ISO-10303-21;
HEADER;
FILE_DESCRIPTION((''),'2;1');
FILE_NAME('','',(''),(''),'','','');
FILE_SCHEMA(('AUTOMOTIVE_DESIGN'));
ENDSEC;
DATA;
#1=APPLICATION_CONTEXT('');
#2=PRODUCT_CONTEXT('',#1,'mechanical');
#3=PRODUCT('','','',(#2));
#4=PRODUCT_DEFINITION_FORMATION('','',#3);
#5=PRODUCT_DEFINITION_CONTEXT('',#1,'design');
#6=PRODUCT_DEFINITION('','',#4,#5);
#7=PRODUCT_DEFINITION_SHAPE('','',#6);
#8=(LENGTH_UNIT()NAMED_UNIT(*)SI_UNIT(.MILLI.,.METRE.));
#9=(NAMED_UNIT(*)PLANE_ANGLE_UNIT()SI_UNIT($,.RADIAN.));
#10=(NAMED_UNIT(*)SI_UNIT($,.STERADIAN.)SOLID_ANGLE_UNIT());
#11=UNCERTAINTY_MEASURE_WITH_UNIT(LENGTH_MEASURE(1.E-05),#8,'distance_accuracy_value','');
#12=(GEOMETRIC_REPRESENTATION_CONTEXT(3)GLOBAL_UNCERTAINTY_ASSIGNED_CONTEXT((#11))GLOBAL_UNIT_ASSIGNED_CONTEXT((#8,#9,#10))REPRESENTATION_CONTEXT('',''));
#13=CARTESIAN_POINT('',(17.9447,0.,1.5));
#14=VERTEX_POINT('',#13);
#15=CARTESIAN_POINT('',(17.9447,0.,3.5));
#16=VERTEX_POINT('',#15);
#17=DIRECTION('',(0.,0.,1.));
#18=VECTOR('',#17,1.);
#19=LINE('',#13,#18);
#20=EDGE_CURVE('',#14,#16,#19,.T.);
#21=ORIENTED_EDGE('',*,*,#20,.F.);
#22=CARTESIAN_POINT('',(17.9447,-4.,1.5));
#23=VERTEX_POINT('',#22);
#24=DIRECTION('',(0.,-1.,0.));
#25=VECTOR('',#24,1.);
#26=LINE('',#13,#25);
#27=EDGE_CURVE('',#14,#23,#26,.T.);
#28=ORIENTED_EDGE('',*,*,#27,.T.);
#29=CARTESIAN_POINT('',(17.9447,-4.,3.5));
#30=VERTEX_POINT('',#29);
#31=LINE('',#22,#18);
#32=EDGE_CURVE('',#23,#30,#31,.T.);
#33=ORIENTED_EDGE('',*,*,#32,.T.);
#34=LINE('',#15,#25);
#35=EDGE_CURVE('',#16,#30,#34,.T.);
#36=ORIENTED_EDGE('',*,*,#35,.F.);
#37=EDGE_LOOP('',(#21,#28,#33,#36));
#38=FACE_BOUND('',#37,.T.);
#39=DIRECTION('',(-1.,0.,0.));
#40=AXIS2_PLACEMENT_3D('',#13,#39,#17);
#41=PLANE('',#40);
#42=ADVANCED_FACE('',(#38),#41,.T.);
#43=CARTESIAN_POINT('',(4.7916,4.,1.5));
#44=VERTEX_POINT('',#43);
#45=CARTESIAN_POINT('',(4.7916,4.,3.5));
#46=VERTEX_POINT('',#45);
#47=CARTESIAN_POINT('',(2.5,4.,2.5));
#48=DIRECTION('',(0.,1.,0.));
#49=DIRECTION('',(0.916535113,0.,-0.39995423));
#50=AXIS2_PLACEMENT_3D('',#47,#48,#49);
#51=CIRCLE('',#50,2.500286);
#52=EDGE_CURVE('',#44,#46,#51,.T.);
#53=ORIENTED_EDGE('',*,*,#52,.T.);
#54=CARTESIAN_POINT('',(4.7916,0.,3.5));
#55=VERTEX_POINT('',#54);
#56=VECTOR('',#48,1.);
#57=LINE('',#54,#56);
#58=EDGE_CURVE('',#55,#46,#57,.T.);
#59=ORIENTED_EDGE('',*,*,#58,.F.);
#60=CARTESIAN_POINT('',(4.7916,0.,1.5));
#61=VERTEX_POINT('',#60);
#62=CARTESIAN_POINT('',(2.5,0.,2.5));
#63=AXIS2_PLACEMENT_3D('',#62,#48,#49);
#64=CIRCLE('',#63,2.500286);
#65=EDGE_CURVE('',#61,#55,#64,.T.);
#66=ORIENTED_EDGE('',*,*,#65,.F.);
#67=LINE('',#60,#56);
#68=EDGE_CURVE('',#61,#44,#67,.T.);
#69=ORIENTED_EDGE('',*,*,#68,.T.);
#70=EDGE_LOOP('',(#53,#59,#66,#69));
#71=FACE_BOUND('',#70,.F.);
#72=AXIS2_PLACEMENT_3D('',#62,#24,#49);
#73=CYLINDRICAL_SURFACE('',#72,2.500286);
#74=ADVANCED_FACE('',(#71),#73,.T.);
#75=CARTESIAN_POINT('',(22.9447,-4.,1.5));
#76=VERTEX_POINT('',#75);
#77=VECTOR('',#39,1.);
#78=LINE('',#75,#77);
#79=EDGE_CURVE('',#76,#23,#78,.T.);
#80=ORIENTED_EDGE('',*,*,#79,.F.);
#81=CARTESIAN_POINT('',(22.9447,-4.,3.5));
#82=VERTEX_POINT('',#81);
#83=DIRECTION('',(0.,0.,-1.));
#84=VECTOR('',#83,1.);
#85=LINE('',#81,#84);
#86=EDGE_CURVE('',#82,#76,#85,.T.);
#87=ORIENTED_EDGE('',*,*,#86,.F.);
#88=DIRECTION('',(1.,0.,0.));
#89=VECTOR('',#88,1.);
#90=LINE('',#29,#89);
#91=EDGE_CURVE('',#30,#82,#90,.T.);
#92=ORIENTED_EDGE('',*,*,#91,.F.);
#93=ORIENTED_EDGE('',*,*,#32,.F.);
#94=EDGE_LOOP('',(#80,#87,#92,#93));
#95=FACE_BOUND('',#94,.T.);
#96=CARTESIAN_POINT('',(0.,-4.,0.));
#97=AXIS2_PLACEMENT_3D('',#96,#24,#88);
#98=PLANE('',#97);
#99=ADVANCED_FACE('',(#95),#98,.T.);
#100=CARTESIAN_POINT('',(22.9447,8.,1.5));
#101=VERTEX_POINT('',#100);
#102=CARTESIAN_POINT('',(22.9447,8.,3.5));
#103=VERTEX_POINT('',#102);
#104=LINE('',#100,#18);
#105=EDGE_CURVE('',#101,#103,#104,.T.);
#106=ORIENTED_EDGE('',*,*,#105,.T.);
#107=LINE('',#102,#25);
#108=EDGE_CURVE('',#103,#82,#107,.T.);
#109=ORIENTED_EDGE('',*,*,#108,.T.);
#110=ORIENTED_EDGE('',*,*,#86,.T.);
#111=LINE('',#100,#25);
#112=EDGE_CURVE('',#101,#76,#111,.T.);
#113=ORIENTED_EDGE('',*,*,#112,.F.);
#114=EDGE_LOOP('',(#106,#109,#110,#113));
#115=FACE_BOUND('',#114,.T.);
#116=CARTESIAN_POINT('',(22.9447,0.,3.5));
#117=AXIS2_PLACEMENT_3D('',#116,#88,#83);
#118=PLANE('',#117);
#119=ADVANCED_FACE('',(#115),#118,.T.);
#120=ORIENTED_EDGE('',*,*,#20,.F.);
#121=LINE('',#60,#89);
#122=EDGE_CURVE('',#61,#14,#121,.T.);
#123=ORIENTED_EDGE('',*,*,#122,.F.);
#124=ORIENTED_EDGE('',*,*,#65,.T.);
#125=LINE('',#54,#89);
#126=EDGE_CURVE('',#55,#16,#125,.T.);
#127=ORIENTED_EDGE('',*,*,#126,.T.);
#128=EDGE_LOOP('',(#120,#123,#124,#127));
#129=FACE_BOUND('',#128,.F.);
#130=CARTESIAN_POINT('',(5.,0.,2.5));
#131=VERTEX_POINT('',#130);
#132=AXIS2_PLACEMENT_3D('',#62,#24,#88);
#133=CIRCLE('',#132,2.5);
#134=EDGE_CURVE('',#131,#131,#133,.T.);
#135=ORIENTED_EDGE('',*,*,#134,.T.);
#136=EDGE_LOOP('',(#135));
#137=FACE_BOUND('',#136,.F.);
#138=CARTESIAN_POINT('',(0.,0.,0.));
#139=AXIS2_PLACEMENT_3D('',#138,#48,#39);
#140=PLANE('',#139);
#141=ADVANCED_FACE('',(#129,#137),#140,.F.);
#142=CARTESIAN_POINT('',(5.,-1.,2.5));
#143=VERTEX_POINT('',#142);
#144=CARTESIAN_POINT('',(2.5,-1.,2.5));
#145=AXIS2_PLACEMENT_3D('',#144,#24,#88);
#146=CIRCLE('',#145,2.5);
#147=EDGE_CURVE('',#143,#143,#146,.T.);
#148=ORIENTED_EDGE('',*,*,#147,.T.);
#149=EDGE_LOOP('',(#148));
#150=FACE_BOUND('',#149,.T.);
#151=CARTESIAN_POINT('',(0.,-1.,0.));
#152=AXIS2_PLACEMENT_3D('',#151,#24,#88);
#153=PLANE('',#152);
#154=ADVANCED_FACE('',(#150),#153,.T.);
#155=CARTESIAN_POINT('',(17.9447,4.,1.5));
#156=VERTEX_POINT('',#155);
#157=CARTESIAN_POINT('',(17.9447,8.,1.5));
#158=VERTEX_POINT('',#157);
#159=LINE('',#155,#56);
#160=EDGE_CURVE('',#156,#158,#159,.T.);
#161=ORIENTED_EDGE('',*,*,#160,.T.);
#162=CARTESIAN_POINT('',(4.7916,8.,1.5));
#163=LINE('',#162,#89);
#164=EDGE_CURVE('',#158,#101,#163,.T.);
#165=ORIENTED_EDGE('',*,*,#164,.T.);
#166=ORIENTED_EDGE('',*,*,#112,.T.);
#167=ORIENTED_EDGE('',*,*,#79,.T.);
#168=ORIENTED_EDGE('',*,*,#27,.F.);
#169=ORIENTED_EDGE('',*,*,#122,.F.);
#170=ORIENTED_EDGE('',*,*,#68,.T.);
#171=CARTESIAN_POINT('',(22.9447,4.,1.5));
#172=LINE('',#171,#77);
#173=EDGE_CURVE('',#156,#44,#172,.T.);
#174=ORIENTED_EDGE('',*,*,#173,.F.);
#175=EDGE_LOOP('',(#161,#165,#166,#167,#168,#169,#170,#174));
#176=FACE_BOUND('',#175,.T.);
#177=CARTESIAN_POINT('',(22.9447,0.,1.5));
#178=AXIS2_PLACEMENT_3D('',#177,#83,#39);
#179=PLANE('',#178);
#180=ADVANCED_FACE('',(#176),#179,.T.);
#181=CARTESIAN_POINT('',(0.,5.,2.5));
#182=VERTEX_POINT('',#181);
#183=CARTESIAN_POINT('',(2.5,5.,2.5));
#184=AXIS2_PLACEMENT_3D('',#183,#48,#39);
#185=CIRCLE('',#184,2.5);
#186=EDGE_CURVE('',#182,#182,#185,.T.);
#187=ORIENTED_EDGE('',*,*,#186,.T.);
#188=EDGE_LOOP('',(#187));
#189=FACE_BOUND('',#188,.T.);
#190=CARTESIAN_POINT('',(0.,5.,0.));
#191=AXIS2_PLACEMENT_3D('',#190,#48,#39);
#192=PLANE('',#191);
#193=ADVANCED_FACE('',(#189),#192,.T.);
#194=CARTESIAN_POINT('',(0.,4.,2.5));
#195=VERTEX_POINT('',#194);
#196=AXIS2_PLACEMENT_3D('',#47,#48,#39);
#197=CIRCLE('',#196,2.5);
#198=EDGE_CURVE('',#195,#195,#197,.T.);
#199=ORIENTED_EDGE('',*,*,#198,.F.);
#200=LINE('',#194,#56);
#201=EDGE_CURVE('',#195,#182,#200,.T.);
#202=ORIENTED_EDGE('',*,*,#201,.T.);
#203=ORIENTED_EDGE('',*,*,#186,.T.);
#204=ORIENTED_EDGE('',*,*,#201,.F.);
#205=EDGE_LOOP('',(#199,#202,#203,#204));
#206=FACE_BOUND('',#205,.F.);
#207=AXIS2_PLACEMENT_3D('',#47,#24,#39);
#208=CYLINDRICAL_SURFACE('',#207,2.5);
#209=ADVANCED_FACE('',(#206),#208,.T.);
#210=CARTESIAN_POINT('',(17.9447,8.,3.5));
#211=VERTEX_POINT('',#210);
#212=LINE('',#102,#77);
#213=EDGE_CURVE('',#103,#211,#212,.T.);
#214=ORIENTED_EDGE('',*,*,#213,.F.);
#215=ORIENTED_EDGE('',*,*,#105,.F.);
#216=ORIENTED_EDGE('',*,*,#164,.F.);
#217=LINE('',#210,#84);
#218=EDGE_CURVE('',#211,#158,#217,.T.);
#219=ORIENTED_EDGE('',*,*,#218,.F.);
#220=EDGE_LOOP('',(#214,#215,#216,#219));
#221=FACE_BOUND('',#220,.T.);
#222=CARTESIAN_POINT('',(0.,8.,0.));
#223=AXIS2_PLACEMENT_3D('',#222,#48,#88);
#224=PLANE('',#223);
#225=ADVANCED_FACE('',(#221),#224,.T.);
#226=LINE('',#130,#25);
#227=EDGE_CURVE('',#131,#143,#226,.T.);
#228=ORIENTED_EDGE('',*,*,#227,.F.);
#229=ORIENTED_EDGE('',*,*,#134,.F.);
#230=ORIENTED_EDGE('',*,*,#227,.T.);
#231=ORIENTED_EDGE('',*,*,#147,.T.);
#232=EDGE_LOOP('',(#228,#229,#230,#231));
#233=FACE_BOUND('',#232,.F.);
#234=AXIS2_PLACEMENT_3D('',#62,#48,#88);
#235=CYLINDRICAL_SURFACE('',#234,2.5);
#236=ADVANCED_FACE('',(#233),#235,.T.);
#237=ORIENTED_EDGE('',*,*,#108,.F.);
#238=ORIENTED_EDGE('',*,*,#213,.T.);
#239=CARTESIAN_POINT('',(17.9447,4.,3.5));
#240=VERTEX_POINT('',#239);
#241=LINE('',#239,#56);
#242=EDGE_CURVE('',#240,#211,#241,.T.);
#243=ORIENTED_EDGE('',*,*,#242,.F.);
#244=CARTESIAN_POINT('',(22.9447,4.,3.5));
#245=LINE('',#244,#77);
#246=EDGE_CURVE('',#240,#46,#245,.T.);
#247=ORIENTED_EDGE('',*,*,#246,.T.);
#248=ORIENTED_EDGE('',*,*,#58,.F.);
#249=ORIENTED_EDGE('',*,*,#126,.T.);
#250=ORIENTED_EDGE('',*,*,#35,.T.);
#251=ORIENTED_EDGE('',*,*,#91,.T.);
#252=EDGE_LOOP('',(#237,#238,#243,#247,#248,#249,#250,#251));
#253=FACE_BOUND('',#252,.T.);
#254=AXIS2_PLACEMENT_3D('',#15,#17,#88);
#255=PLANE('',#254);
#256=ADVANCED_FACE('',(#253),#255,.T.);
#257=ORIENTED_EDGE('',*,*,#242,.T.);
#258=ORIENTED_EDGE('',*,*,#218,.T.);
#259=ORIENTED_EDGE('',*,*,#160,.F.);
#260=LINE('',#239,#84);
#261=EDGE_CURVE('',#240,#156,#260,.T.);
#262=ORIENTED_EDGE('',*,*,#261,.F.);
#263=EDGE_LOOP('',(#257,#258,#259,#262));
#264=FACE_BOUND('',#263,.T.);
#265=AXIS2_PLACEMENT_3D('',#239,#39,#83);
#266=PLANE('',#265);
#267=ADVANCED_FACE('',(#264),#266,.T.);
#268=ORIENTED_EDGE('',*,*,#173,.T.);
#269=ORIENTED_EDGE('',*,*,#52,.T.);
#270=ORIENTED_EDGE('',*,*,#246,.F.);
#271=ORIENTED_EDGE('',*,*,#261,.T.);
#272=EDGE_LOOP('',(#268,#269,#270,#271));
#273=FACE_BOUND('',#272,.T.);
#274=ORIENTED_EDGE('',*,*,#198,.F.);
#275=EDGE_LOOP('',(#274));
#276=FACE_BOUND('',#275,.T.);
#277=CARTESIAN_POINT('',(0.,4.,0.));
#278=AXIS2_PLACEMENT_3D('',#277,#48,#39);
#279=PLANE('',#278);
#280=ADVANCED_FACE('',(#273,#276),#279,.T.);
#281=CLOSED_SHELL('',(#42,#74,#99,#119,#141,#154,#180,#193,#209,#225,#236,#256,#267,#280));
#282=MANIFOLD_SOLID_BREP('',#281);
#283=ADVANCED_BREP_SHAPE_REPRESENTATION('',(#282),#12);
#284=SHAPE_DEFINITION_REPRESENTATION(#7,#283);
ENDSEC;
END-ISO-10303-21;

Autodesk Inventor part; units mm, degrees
ref_plane "YZ Plane" through (0, 0, 0) normal (1, 0, 0) x (0, 1, 0)
ref_plane "XZ Plane" through (0, 0, 0) normal (0, 1, 0) x (-1, 0, 0)
ref_plane "XY Plane" through (0, 0, 0) normal (0, 0, 1) x (1, 0, 0)
sketch "Sketch1" plane through (0, 0, 0) normal (0, 1, 0) x (-1, 0, 0)
  line L0 (-22.9447, 5) -> (-22.9447, 0)
  line L1 (-22.9447, 0) -> (-8, 0)
  line L2 (-8, 0) -> (-8, 1.5)
  line L3 (-8, 1.5) -> (-4.7916, 1.5)
  line L4 (-8, 5) -> (-8, 3.5)
  line L5 (-8, 3.5) -> (-4.7916, 3.5)
  line L6 (-8, 5) -> (-22.9447, 5)
  arc A0 (-4.7916, 1.5) -> (-4.7916, 3.5) centre (-2.5, 2.5) ccw
  point P0 (0, 5)
  dimension "d1" = 5
  dimension "d2" = 1.5
  dimension "d3" = 1.5
extrude "Extrusion1" add sketch "Sketch1" along normal blind 4
sketch "Sketch6" plane through (8, 0, 0) normal (0, 0, -1) x (1, 0, 0)
  line L0 (0, 0) -> (0, -4) projected
  line L1 (0, -4) -> (14.9617, -4)
  line L2 (14.9617, -4) -> (14.9617, 1)
  line L3 (14.9617, 1) -> (0, 1)
  line L4 (0, 1) -> (0, -4)
  point P0 (-8, 0)
extrude "Extrusion2" cut sketch "Sketch6" against normal blind 1.5
sketch "Sketch7" plane through (0, 4, 0) normal (0, 1, 0) x (-1, 0, 0)
  circle A0 centre (-2.5, 2.5) radius 2.5
  point P0 (0, 0)
  dimension "d8" = 5
extrude "Extrusion3" add sketch "Sketch7" along normal blind 1
sketch "Sketch8" plane through (0, 0, 0) normal (0, -1, 0) x (1, 0, 0)
  circle A0 centre (2.5, 2.5) radius 2.5
  point P0 (0, 0)
  dimension "d11" = 5
extrude "Extrusion4" add sketch "Sketch8" along normal blind 1
sketch "Sketch9" plane through (8, 0, 5) normal (0, 0, 1) x (1, 0, 0)
  line L0 (-3.2084, 0) -> (14.9447, 0) projected
  line L1 (-0.1278, 4) -> (14.9447, 4)
  line L2 (14.9447, 4) -> (14.9447, 0)
  line L3 (14.9447, 0) -> (-0.1278, 0)
  line L4 (-0.1278, 0) -> (-0.1278, 4)
  point P0 (-8, 0)
extrude "Extrusion5" cut sketch "Sketch9" against normal blind 1.5
sketch "Sketch10" plane through (0, 4, 0) normal (0, 1, 0) x (1, 0, 0)
  line L0 (22.9447, -1.5) -> (22.9447, -3.5) projected
  line L1 (4.7916, -1.5) -> (22.9447, -1.5) projected
  line L2 (22.9447, -3.5) -> (17.9447, -3.5)
  line L3 (17.9447, -3.5) -> (17.9447, -1.5)
  line L4 (17.9447, -1.5) -> (22.9447, -1.5)
  line L5 (22.9447, -1.5) -> (22.9447, -3.5)
  point P0 (0, 0)
  dimension "d16" = 5
extrude "Extrusion6" add sketch "Sketch10" along normal blind 4
sketch "Sketch11" plane through (0, 0, 0) normal (0, -1, 0) x (1, 0, 0)
  line L0 (22.9447, 1.5) -> (17.9447, 1.5) projected
  line L1 (17.9447, 3.5) -> (22.9447, 3.5) projected
  line L2 (22.9447, 1.5) -> (17.9447, 1.5)
  line L3 (17.9447, 1.5) -> (17.9447, 3.5)
  line L4 (17.9447, 3.5) -> (22.9447, 3.5)
  line L5 (22.9447, 3.5) -> (22.9447, 1.5)
  point P0 (0, 0)
extrude "Extrusion7" add sketch "Sketch11" along normal blind 4
properties part number "button_press_new"
